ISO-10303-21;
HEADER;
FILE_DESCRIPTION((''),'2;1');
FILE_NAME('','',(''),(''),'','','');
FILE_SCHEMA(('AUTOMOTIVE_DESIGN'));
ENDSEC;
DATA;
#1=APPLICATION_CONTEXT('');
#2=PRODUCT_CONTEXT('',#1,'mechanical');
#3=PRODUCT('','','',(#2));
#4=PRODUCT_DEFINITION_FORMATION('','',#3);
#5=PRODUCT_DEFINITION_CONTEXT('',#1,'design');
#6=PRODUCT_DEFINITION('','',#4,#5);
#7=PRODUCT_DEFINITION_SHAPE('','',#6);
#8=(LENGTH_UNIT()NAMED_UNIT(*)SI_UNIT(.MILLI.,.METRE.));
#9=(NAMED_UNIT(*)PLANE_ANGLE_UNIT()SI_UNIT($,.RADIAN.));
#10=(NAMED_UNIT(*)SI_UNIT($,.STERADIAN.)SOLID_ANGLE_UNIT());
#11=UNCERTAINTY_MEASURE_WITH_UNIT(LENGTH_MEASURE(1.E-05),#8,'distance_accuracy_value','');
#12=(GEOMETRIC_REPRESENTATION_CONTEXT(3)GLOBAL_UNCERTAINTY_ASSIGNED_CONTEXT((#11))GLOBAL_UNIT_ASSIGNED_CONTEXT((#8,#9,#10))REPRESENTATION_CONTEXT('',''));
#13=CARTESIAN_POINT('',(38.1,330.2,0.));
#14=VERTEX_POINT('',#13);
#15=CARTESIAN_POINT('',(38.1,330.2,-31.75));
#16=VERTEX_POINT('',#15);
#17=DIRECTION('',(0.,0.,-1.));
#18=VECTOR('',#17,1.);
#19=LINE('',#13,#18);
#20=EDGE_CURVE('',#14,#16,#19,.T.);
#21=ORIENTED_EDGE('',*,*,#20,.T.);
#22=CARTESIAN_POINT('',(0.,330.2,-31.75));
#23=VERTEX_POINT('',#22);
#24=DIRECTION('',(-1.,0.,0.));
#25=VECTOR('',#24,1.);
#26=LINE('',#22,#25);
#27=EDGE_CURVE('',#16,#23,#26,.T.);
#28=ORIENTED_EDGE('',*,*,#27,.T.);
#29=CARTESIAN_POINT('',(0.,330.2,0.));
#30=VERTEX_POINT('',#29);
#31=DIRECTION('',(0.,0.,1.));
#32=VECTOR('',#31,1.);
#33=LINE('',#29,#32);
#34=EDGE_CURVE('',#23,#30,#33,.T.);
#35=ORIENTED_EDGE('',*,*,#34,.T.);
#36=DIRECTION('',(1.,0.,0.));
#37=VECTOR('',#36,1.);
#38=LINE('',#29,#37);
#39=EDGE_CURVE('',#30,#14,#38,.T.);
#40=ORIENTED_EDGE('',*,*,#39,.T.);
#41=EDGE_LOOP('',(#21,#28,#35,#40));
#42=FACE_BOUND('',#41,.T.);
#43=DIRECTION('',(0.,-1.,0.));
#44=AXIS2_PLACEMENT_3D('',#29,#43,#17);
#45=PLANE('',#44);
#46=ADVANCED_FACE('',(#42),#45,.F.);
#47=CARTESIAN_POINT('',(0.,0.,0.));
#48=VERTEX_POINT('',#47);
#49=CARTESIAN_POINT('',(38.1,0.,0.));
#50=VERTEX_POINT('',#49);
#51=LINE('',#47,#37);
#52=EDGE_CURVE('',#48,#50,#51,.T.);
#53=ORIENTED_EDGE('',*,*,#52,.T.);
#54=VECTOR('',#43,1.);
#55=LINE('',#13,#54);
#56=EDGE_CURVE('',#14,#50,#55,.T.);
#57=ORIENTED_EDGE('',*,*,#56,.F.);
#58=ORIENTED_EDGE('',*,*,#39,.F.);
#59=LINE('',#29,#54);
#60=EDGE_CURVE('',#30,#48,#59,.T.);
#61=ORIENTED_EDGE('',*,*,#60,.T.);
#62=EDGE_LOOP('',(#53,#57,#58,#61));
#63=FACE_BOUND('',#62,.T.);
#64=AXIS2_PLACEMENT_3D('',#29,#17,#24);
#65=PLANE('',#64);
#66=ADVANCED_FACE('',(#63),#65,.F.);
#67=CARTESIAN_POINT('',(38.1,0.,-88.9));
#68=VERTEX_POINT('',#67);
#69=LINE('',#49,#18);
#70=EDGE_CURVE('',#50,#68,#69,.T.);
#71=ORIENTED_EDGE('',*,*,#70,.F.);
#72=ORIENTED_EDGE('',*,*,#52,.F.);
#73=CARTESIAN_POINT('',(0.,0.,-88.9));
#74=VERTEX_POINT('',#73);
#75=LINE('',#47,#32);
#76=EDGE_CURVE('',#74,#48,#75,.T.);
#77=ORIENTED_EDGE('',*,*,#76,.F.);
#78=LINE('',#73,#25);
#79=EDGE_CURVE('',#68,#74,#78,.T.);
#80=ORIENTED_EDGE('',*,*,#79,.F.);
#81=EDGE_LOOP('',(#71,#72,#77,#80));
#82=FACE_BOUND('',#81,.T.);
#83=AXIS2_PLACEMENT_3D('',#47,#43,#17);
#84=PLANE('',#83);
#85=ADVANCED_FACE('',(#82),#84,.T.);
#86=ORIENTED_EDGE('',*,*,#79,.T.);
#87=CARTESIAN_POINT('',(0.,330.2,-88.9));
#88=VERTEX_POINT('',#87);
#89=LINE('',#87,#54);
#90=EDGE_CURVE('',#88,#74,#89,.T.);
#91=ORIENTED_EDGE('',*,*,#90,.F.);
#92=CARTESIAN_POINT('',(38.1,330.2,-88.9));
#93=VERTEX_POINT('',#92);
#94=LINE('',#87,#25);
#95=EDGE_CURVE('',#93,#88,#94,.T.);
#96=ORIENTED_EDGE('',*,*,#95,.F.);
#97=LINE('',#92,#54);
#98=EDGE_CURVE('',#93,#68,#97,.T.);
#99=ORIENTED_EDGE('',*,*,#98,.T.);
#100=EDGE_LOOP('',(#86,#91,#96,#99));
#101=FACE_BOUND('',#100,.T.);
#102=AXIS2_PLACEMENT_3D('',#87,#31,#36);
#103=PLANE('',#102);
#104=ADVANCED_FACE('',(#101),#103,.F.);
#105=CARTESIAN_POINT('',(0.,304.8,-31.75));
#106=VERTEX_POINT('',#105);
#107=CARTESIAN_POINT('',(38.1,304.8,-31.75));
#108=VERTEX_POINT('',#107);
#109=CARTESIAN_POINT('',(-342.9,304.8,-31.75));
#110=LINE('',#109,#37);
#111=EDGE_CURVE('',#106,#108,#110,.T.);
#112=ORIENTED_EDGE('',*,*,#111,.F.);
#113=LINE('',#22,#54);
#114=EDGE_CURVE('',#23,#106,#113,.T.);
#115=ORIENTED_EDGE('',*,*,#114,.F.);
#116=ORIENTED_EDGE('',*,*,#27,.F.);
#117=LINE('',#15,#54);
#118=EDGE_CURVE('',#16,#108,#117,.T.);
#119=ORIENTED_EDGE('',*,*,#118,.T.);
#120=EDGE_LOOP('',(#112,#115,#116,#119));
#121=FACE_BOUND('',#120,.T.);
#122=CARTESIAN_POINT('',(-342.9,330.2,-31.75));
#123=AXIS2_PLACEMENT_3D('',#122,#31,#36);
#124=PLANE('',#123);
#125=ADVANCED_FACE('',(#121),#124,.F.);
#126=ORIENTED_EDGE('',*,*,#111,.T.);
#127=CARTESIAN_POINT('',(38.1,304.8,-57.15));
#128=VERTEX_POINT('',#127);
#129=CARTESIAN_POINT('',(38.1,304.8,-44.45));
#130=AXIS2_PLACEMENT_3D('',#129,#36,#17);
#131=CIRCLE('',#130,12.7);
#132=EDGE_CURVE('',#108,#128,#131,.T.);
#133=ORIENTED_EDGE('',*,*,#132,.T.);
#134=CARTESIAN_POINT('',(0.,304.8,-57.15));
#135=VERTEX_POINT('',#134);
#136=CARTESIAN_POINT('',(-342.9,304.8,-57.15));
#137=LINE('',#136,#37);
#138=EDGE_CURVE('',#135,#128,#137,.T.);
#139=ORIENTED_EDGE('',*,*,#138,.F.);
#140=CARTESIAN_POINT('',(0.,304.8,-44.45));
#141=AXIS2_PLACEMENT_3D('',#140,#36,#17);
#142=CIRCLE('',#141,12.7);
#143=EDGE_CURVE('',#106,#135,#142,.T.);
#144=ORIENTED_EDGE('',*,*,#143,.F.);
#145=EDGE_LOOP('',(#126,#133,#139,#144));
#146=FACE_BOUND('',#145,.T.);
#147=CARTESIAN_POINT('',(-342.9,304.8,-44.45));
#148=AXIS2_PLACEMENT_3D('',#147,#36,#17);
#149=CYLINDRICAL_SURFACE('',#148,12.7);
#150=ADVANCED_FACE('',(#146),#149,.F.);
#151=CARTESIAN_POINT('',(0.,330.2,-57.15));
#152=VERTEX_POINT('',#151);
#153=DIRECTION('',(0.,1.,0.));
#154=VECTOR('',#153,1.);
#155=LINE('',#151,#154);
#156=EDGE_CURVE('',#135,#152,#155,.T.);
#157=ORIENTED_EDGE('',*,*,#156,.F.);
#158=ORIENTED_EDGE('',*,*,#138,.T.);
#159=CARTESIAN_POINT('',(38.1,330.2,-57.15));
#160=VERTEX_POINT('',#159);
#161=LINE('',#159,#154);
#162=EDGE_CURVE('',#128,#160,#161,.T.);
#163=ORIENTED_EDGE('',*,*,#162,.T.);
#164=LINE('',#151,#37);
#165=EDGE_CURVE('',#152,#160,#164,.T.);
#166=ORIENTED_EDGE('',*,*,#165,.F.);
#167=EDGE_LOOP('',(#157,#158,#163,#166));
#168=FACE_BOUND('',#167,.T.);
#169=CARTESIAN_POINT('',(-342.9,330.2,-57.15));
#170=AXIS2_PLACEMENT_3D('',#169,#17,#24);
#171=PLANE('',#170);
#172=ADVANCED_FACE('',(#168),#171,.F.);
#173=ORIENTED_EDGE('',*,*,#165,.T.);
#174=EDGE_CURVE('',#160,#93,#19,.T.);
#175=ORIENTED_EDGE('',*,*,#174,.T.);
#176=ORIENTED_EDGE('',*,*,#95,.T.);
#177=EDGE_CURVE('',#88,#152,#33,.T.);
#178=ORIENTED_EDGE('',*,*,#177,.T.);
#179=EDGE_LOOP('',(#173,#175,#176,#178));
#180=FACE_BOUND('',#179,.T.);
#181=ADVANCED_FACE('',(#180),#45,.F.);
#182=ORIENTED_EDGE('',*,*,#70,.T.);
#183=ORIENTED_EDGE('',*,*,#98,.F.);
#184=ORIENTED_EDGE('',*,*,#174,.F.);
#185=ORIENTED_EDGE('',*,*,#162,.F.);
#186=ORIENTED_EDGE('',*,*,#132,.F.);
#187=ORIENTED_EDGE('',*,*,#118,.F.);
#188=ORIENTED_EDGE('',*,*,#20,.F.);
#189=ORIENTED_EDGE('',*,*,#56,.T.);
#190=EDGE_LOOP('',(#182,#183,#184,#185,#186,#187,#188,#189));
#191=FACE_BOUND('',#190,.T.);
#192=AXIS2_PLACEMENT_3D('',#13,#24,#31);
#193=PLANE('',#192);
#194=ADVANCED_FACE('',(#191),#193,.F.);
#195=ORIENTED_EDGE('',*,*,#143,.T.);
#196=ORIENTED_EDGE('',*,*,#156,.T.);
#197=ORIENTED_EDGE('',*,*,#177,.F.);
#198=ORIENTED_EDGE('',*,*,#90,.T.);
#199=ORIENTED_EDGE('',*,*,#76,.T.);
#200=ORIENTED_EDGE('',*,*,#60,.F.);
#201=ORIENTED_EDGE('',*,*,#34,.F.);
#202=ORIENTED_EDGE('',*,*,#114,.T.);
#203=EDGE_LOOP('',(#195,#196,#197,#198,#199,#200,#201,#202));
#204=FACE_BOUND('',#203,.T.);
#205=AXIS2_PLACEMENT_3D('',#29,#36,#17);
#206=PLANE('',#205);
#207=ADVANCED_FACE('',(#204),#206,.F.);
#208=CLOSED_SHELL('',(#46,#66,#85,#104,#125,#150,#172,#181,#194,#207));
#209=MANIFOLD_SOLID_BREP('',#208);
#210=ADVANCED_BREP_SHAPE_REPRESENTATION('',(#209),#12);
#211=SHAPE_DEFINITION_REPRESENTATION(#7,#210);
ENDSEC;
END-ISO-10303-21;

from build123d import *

# Parameters (mm, degrees)
SKETCH1_W           = 38.1
SKETCH1_H           = 88.9
BOSS_EXTRUDE1_DEPTH = 330.2
CUT_EXTRUDE1_DEPTH  = 381


with BuildPart() as part:
    # Sketch1 → Boss-Extrude1 (new body)
    with BuildSketch(Plane(origin=(0, 0, 0), x_dir=(1, 0, 0), z_dir=(0, 1, 0))):
        with Locations((19.05, 44.45)):
            Rectangle(SKETCH1_W, SKETCH1_H)
    extrude(amount=BOSS_EXTRUDE1_DEPTH)

    # Sketch2 → Cut-Extrude1 (cut)
    with BuildSketch(Plane(origin=(38.1, 0, 0), x_dir=(0, 0, -1), z_dir=(1, 0, 0))):
        with BuildLine():
            Line((57.15, 330.2), (57.15, 304.8))
            ThreePointArc((57.15, 304.8), (44.45, 292.1), (31.75, 304.8))
            Line((31.75, 304.8), (31.75, 330.2))
            ThreePointArc((31.75, 330.2), (44.45, 342.9), (57.15, 330.2))
        make_face()
    extrude(amount=-CUT_EXTRUDE1_DEPTH, mode=Mode.SUBTRACT)


solid = part.part
